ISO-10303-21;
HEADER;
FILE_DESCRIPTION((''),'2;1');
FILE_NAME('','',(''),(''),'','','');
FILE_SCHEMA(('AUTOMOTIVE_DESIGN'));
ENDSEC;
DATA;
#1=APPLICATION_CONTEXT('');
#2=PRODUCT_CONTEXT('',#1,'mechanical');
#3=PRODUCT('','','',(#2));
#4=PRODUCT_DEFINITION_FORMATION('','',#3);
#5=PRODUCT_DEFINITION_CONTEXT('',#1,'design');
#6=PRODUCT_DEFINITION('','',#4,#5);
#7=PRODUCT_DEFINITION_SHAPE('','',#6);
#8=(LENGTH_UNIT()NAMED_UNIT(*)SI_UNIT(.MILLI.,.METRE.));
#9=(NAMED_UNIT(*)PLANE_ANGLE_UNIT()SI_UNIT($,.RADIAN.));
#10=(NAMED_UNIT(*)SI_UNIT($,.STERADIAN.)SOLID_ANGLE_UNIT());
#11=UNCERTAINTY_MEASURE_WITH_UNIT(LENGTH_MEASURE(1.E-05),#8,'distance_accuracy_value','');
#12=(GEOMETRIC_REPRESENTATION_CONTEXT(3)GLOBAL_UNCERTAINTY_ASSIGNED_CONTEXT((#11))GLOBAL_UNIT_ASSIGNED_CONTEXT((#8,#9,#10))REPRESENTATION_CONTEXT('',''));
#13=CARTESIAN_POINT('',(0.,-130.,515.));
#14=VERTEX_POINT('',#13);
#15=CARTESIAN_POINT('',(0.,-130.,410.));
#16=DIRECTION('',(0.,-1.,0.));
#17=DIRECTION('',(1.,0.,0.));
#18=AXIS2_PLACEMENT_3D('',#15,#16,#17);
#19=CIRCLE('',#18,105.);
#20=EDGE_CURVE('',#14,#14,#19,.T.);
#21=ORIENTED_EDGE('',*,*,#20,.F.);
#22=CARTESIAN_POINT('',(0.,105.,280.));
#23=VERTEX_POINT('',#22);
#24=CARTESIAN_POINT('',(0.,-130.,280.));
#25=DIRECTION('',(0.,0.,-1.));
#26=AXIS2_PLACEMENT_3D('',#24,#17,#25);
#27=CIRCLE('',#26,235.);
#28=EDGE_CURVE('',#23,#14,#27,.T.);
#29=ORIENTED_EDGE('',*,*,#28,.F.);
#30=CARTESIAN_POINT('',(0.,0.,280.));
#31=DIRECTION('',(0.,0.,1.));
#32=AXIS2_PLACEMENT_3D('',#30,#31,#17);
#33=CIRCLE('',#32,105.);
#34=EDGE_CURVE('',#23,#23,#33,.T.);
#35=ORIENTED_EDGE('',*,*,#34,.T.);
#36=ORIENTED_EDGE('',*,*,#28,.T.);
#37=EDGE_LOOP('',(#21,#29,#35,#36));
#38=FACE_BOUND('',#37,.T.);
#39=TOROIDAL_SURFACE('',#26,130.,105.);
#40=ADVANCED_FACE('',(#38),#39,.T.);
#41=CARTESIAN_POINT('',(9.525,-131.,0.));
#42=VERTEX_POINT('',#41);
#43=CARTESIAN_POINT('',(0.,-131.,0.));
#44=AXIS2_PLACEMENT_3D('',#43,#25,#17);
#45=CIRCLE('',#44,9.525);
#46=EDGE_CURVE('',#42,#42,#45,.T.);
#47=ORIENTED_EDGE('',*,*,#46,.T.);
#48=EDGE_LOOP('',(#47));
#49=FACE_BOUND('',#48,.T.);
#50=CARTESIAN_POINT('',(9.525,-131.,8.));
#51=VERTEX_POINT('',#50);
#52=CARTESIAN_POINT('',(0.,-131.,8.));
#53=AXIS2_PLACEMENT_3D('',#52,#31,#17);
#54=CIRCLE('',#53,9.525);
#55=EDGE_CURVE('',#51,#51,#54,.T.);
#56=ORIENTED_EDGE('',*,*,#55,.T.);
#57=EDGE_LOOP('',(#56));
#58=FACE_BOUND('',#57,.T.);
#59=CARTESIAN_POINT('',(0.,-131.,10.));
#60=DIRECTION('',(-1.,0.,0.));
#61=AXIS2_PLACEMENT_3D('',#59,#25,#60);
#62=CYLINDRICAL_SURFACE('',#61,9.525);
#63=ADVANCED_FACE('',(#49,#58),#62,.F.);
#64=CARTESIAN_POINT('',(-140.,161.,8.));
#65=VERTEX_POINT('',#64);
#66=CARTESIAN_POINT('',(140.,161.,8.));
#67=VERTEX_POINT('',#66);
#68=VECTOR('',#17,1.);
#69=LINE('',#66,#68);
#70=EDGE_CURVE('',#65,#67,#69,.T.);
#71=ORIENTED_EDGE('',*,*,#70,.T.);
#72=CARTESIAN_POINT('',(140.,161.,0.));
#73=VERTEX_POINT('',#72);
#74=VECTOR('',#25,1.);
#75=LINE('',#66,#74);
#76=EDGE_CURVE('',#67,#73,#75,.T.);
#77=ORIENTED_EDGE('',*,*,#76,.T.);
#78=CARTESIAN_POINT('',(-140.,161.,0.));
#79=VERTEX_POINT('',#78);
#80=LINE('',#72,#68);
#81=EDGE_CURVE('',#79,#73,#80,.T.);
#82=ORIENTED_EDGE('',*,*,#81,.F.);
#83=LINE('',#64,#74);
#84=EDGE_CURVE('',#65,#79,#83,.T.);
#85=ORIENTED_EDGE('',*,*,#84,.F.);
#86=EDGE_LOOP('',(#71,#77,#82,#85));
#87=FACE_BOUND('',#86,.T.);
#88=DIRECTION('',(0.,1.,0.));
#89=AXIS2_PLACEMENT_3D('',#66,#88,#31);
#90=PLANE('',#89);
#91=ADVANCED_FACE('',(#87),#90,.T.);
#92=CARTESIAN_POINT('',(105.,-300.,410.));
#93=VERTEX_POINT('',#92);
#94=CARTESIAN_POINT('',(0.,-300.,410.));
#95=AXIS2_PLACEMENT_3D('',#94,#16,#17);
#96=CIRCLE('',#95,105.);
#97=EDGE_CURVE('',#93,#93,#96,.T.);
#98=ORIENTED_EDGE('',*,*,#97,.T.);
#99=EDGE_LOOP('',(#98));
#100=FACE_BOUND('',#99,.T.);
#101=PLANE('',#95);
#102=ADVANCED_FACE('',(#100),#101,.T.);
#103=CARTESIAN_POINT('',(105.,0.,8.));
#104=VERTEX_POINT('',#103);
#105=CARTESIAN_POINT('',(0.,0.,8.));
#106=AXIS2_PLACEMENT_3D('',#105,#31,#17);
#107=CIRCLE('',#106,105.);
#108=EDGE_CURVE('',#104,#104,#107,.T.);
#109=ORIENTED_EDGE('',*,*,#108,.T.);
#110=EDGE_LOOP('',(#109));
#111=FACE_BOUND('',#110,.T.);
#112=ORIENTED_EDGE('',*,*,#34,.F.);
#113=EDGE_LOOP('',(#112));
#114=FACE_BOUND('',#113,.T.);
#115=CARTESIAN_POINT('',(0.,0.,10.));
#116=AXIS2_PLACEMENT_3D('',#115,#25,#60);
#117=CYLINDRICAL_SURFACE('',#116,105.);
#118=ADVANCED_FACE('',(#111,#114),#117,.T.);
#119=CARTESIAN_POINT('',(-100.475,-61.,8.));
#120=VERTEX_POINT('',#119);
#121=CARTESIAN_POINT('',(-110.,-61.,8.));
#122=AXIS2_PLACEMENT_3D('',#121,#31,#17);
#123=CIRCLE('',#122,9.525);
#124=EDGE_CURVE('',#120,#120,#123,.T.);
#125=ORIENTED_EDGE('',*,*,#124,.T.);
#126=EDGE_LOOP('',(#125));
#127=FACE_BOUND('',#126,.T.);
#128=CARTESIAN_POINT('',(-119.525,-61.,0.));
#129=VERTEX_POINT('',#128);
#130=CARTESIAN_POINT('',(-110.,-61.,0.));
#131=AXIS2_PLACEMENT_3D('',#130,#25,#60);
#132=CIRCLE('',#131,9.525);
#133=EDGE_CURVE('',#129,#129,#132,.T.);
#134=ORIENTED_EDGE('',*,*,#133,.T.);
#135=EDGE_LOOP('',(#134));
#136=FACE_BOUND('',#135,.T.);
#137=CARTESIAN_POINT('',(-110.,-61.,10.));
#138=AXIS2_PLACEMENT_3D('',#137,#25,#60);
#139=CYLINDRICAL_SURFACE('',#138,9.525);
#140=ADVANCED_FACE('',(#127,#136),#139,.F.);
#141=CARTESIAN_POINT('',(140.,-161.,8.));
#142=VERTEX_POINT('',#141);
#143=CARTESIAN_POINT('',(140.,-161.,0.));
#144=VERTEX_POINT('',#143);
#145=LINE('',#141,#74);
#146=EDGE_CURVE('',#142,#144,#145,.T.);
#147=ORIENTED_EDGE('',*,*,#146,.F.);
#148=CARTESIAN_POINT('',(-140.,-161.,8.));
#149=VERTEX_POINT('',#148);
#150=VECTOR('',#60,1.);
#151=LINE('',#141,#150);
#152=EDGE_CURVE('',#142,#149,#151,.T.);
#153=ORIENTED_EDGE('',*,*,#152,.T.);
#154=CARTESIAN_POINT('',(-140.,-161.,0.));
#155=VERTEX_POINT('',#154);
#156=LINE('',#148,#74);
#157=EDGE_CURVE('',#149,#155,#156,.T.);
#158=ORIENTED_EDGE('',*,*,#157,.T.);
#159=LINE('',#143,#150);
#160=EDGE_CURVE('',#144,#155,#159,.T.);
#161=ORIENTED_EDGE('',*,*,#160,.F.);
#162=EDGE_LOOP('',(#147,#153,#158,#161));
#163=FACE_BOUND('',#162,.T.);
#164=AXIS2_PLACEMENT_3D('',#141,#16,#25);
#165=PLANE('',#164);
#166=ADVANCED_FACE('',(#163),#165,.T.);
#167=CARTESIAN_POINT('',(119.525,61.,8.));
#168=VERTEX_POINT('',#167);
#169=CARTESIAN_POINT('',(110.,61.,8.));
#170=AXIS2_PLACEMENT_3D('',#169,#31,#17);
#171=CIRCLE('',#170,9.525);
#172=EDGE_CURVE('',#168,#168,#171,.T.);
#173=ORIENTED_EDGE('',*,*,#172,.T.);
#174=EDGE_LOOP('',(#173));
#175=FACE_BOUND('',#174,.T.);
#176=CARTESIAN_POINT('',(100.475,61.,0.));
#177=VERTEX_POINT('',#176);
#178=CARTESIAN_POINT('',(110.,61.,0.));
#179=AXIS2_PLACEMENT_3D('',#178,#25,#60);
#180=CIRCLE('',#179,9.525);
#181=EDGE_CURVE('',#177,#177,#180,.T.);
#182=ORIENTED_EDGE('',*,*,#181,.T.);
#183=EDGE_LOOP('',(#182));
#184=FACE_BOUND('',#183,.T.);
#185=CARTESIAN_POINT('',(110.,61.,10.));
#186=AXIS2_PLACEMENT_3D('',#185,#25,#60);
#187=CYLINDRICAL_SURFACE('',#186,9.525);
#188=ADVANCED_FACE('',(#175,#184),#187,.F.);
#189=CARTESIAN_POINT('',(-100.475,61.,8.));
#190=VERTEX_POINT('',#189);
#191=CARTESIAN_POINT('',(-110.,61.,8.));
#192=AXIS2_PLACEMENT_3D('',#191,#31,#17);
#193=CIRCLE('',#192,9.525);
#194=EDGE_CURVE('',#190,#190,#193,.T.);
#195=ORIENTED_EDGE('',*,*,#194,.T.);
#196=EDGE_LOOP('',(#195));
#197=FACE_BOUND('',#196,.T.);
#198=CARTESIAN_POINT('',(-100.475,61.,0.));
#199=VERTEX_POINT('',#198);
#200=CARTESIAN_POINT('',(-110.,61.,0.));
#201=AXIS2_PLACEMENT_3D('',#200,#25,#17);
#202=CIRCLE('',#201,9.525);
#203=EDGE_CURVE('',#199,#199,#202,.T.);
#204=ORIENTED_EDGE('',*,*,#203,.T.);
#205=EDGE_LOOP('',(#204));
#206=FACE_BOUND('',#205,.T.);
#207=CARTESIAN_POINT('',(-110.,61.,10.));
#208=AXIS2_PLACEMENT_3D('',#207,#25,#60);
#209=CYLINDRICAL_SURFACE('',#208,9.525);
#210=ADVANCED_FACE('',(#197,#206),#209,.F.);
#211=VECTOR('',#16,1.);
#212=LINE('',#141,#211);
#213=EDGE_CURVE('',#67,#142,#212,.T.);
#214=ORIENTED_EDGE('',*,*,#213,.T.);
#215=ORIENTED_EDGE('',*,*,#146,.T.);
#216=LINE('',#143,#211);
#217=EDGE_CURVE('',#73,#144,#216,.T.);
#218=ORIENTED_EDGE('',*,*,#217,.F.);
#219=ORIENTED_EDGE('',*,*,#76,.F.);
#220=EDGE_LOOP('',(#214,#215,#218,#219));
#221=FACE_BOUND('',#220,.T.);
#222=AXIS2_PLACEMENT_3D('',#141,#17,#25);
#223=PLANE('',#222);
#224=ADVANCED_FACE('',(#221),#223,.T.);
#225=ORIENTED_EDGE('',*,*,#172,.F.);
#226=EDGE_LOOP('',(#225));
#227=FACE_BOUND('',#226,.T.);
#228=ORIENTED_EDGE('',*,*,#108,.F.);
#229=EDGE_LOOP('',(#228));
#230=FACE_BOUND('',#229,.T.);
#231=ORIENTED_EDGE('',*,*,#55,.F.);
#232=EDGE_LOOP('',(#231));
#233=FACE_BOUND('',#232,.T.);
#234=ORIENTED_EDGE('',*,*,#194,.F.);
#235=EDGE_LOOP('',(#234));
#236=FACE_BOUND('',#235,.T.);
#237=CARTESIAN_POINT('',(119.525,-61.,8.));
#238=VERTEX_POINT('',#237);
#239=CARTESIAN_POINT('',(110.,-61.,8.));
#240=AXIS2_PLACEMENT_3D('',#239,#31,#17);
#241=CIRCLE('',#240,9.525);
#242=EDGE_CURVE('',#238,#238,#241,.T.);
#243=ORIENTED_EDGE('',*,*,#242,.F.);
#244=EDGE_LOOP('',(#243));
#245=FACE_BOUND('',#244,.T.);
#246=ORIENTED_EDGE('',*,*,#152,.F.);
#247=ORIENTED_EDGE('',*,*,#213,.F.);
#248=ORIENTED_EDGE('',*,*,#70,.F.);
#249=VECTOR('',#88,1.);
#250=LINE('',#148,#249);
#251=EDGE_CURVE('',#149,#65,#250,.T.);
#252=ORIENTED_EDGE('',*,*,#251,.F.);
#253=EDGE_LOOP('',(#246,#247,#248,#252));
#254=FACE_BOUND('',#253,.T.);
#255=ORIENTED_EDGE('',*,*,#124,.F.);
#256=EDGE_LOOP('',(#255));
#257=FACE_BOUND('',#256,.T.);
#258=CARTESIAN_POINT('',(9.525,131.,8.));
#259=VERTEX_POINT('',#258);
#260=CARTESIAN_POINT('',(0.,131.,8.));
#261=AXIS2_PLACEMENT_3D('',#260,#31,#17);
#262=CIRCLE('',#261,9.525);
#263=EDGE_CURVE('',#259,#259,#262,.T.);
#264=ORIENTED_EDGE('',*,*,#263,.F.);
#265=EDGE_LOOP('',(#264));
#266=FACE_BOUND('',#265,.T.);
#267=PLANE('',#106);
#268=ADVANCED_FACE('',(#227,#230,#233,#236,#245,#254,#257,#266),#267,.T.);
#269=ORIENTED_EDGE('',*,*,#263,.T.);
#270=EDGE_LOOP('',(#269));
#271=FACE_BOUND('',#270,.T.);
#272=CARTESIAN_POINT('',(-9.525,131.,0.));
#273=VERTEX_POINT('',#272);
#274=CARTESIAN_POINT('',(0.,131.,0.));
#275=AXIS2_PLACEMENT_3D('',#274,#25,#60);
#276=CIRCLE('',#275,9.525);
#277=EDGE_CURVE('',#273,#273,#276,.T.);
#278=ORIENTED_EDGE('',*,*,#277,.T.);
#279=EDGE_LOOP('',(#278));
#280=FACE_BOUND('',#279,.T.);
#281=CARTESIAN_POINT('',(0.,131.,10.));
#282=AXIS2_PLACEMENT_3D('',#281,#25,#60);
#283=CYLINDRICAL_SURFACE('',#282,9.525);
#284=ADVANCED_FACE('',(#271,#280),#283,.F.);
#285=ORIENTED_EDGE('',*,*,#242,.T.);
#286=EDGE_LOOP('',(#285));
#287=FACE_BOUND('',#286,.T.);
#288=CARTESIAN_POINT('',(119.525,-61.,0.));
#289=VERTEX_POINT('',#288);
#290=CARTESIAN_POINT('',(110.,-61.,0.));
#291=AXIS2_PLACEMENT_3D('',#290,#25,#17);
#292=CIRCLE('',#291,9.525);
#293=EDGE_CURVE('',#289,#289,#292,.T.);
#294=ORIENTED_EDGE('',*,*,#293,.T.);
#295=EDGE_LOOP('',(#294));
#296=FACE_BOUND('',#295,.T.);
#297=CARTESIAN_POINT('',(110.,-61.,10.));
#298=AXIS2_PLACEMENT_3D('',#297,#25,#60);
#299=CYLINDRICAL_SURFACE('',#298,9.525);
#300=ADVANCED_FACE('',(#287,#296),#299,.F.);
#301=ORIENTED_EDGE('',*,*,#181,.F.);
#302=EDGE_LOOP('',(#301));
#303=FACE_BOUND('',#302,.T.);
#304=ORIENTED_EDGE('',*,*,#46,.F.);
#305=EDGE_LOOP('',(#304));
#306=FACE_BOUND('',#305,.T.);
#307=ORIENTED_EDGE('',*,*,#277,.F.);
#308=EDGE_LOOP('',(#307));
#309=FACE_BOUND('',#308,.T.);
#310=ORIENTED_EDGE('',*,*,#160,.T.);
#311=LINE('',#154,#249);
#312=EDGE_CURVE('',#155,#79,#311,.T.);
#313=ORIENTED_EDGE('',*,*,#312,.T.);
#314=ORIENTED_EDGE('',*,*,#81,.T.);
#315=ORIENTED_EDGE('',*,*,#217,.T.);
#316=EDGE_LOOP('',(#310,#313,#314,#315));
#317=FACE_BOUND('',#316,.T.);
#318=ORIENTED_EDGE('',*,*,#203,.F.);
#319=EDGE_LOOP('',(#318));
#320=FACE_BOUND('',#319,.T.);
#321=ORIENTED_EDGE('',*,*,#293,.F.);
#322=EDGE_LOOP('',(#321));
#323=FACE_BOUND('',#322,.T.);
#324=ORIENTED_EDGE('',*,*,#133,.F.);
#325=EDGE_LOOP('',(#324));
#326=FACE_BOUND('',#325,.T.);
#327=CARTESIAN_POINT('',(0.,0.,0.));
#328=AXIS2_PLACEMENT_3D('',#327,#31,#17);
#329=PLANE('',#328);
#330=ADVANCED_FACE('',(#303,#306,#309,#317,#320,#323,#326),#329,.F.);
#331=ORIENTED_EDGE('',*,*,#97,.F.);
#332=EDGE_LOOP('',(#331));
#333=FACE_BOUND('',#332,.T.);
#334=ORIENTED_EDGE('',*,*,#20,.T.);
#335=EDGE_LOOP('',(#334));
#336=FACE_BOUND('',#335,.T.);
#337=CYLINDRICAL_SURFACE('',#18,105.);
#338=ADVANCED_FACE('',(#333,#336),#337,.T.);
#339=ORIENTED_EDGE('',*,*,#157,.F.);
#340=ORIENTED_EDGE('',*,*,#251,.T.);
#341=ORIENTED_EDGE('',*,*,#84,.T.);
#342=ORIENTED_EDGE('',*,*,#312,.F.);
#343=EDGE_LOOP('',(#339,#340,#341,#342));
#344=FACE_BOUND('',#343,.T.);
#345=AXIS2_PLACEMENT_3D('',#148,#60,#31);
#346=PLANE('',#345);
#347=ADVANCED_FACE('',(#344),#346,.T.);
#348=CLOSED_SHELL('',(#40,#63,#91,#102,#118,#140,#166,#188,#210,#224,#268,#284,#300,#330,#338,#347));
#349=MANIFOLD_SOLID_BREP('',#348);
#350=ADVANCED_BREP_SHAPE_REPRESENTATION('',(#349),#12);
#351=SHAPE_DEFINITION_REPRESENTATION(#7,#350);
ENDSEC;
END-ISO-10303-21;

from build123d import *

# Parameters (mm, degrees)
CROQUIS1_R              = 105
SALIENTE_EXTRUIR1_DEPTH = 10
CROQUIS2_R              = 105
CROQUIS3_W              = 280
CROQUIS3_H              = 322
SALIENTE_EXTRUIR2_DEPTH = 8
CROQUIS6_R              = 9.525
CORTAR_EXTRUIR1_DEPTH   = 10


with BuildPart() as part:
    # Croquis1 → Saliente-Extruir1 (new body)
    with BuildSketch(Plane.XY):
        Circle(CROQUIS1_R)
    extrude(amount=SALIENTE_EXTRUIR1_DEPTH)

    # Barrer1: sweep along a curve in space
    with BuildLine() as barrer1_path:
        Line((0, 0, 10), (0, 0, 280))
        ThreePointArc((0, 0, 280), (0, -38.076118446, 371.923881554), (0, -130, 410))
        Line((0, -130, 410), (0, -300, 410))
    # Croquis2 → Barrer1 (sweep)
    with BuildSketch(Plane.XY.offset(10)):
        Circle(CROQUIS2_R)
    sweep(path=barrer1_path.line)

    # Croquis3 → Saliente-Extruir2 (add)
    with BuildSketch(Plane(origin=(0, 0, 0), x_dir=(-1, 0, 0), z_dir=(0, 0, -1))):
        Rectangle(CROQUIS3_W, CROQUIS3_H)
    extrude(amount=-SALIENTE_EXTRUIR2_DEPTH)

    # Croquis6 → Cortar-Extruir1 (cut)
    with BuildSketch(Plane(origin=(0, 0, 0), x_dir=(-1, 0, 0), z_dir=(0, 0, -1))):
        with Locations((0, 131)):
            Circle(CROQUIS6_R)
        with Locations((-110, 61)):
            Circle(CROQUIS6_R)
        with Locations(Location((110, 61, 0), (0, 0, 180))):
            Circle(CROQUIS6_R)
        with Locations((110, -61)):
            Circle(CROQUIS6_R)
        with Locations(Location((-110, -61, 0), (0, 0, 180))):
            Circle(CROQUIS6_R)
        with Locations(Location((0, -131, 0), (0, 0, 180))):
            Circle(CROQUIS6_R)
    extrude(amount=-CORTAR_EXTRUIR1_DEPTH, mode=Mode.SUBTRACT)


solid = part.part
